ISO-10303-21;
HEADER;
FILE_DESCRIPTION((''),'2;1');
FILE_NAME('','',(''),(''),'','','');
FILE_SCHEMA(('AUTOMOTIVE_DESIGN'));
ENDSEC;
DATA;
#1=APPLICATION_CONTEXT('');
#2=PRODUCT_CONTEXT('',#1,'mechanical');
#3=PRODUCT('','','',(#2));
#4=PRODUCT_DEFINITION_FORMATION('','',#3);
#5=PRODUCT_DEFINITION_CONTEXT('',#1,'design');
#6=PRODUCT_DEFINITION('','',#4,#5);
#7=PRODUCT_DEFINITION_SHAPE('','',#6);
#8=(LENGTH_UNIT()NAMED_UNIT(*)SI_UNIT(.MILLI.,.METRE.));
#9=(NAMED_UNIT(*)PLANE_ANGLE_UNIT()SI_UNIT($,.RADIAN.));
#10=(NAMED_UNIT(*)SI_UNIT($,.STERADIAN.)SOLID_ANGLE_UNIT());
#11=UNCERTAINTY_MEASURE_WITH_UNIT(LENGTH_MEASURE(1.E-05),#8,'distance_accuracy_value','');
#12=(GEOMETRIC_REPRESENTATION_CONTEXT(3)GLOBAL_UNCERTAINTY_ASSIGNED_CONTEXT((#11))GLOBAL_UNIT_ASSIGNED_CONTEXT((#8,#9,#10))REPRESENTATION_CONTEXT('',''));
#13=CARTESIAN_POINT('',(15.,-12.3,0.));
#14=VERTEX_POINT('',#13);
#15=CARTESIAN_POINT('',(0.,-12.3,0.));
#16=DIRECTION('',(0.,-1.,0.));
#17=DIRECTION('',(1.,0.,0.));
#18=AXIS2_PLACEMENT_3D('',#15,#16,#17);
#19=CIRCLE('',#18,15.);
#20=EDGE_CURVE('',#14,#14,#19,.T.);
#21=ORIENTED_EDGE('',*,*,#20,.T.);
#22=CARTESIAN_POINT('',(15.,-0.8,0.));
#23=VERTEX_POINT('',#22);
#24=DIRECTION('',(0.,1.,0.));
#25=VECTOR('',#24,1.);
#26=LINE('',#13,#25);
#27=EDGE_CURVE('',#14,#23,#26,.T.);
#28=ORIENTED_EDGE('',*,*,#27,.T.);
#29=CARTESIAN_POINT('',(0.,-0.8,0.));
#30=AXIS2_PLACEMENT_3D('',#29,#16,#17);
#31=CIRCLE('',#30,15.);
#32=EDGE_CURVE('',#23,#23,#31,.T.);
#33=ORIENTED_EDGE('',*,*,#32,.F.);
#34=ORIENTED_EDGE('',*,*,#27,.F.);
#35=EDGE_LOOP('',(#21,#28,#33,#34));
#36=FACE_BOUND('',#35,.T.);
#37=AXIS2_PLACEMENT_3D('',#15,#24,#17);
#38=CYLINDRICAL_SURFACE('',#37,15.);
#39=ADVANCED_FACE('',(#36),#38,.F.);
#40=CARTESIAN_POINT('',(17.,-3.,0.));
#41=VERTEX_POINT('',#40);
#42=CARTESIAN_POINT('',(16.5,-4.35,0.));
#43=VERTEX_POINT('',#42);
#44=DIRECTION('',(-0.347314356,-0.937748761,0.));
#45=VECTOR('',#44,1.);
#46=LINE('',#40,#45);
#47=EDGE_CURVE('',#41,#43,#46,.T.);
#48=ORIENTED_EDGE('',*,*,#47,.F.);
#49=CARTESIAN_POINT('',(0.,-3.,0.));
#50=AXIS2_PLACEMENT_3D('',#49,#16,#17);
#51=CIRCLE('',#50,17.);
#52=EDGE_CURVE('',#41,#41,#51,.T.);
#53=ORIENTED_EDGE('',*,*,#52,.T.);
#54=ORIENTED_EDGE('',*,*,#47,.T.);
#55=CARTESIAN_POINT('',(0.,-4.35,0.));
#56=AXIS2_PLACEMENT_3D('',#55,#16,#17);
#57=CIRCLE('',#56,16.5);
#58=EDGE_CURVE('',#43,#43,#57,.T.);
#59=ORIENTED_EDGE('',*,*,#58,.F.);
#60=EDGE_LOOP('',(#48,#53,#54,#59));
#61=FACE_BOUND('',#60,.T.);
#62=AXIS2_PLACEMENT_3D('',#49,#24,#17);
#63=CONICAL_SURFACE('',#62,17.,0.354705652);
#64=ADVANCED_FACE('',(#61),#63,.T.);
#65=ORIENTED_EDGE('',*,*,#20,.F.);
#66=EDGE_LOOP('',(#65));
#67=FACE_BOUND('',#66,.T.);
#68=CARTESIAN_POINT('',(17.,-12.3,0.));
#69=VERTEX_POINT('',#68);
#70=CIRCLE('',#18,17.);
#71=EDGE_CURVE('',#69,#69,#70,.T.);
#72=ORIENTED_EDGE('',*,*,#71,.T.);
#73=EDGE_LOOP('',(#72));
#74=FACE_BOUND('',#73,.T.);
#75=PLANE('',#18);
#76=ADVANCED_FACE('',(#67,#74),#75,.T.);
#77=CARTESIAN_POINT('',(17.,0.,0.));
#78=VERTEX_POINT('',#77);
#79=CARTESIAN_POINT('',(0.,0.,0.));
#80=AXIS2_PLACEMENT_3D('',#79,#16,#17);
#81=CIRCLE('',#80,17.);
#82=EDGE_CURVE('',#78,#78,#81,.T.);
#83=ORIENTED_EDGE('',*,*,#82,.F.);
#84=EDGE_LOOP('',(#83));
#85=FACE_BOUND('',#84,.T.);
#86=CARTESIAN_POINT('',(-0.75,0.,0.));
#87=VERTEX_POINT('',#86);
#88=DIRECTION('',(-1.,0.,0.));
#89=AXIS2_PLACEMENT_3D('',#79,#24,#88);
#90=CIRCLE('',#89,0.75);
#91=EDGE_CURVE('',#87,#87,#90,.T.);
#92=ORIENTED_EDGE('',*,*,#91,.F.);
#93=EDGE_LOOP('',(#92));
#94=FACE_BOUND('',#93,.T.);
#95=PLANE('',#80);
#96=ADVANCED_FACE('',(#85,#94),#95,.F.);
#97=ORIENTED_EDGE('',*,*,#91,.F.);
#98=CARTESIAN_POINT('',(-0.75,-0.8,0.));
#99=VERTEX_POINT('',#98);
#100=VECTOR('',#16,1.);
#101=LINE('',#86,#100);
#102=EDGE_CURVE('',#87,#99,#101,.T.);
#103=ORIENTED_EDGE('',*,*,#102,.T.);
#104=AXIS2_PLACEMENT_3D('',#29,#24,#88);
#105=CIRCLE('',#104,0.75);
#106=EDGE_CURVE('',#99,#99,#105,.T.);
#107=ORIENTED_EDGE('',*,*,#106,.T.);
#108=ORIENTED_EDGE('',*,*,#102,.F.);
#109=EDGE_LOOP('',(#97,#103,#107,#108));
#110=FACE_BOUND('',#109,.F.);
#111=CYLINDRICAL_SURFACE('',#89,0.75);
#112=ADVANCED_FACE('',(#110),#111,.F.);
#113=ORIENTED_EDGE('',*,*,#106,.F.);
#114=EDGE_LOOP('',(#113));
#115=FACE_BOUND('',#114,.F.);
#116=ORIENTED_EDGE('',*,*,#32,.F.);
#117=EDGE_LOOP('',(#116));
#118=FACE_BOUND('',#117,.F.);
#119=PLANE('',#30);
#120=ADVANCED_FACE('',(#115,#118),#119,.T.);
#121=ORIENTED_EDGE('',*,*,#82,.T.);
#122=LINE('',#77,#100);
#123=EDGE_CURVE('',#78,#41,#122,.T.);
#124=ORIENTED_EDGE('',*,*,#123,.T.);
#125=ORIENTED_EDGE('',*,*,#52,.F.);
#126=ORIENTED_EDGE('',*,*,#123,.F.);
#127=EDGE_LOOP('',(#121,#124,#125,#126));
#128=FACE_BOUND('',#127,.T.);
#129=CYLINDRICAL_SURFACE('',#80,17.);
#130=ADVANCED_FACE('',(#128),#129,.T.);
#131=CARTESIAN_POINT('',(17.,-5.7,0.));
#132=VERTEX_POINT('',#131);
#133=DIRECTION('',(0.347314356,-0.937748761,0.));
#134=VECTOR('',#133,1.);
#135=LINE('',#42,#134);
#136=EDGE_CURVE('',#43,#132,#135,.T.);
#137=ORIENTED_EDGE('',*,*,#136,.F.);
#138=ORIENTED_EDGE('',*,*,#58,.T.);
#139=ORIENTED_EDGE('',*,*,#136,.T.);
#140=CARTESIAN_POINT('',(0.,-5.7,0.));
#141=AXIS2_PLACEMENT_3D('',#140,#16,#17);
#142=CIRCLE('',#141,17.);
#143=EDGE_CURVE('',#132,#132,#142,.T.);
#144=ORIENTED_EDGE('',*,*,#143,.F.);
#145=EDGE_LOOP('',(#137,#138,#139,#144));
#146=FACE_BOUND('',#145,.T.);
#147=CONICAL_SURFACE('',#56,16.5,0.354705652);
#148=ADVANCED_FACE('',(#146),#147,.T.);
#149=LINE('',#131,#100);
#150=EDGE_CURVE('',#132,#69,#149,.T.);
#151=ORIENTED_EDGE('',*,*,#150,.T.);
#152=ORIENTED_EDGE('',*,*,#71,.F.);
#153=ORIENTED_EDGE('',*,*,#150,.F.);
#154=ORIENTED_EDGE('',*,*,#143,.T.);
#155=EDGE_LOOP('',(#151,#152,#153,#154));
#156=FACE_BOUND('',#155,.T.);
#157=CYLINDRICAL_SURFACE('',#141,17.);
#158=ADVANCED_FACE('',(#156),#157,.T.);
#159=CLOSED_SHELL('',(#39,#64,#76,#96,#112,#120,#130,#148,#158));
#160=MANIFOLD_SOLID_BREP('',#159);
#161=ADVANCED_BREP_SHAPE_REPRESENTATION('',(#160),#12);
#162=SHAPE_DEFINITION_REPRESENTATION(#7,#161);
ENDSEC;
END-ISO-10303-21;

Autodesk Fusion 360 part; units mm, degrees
sketch "Sketch1" plane through (0, 0, 0) normal (0, 0, 1) x (1, 0, 0)
  line L0 (0, 0) -> (17, 0)
  line L1 (17, 0) -> (17, -3)
  line L2 (17, -3) -> (17, -5.7)
  line L3 (17, -5.7) -> (17, -12.3)
  line L4 (17, -12.3) -> (15, -12.3)
  line L5 (15, -12.3) -> (15, -0.8)
  line L6 (17, -3) -> (17, -4.35) construction
  line L7 (17, -4.35) -> (16.5, -4.35) construction
  line L8 (17, -3) -> (16.5, -4.35)
  line L9 (16.5, -4.35) -> (17, -5.7)
  line L10 (0, 0) -> (0, -0.8)
  line L11 (0, -0.8) -> (15, -0.8)
  dimension "d1" = 17
  dimension "d2" = 3
  dimension "d4" = 2.7
  dimension "d5" = 6.6
  dimension "d6" = 2
  dimension "d8" = 1.35
  dimension "d9" = 0.5
  dimension "d10" = 15
  dimension "d12" = 17
  dimension "d19" = 0.8
revolve "Revolve1" add sketch "Sketch1" angle 360 about axis through (0, 0, 0) along (0, -1, 0) contours L0 L1 L3 L4 L5 L8 L9 L10 L11
sketch "Sketch2" plane through (0, 0, 0) normal (0, 1, 0) x (-1, 0, 0)
  circle A0 centre (0, 0) radius 17
  circle A1 centre (0, 0) radius 16.575
  circle A2 centre (0, 0) radius 0.75
  dimension "d14" = 34
  dimension "d15" = 33.15
  dimension "d16" = 1.5
extrude "Extrude1" cut sketch "Sketch2" against normal blind 3 contours A2
equation "d15 = d14 - 0.85 mm"
